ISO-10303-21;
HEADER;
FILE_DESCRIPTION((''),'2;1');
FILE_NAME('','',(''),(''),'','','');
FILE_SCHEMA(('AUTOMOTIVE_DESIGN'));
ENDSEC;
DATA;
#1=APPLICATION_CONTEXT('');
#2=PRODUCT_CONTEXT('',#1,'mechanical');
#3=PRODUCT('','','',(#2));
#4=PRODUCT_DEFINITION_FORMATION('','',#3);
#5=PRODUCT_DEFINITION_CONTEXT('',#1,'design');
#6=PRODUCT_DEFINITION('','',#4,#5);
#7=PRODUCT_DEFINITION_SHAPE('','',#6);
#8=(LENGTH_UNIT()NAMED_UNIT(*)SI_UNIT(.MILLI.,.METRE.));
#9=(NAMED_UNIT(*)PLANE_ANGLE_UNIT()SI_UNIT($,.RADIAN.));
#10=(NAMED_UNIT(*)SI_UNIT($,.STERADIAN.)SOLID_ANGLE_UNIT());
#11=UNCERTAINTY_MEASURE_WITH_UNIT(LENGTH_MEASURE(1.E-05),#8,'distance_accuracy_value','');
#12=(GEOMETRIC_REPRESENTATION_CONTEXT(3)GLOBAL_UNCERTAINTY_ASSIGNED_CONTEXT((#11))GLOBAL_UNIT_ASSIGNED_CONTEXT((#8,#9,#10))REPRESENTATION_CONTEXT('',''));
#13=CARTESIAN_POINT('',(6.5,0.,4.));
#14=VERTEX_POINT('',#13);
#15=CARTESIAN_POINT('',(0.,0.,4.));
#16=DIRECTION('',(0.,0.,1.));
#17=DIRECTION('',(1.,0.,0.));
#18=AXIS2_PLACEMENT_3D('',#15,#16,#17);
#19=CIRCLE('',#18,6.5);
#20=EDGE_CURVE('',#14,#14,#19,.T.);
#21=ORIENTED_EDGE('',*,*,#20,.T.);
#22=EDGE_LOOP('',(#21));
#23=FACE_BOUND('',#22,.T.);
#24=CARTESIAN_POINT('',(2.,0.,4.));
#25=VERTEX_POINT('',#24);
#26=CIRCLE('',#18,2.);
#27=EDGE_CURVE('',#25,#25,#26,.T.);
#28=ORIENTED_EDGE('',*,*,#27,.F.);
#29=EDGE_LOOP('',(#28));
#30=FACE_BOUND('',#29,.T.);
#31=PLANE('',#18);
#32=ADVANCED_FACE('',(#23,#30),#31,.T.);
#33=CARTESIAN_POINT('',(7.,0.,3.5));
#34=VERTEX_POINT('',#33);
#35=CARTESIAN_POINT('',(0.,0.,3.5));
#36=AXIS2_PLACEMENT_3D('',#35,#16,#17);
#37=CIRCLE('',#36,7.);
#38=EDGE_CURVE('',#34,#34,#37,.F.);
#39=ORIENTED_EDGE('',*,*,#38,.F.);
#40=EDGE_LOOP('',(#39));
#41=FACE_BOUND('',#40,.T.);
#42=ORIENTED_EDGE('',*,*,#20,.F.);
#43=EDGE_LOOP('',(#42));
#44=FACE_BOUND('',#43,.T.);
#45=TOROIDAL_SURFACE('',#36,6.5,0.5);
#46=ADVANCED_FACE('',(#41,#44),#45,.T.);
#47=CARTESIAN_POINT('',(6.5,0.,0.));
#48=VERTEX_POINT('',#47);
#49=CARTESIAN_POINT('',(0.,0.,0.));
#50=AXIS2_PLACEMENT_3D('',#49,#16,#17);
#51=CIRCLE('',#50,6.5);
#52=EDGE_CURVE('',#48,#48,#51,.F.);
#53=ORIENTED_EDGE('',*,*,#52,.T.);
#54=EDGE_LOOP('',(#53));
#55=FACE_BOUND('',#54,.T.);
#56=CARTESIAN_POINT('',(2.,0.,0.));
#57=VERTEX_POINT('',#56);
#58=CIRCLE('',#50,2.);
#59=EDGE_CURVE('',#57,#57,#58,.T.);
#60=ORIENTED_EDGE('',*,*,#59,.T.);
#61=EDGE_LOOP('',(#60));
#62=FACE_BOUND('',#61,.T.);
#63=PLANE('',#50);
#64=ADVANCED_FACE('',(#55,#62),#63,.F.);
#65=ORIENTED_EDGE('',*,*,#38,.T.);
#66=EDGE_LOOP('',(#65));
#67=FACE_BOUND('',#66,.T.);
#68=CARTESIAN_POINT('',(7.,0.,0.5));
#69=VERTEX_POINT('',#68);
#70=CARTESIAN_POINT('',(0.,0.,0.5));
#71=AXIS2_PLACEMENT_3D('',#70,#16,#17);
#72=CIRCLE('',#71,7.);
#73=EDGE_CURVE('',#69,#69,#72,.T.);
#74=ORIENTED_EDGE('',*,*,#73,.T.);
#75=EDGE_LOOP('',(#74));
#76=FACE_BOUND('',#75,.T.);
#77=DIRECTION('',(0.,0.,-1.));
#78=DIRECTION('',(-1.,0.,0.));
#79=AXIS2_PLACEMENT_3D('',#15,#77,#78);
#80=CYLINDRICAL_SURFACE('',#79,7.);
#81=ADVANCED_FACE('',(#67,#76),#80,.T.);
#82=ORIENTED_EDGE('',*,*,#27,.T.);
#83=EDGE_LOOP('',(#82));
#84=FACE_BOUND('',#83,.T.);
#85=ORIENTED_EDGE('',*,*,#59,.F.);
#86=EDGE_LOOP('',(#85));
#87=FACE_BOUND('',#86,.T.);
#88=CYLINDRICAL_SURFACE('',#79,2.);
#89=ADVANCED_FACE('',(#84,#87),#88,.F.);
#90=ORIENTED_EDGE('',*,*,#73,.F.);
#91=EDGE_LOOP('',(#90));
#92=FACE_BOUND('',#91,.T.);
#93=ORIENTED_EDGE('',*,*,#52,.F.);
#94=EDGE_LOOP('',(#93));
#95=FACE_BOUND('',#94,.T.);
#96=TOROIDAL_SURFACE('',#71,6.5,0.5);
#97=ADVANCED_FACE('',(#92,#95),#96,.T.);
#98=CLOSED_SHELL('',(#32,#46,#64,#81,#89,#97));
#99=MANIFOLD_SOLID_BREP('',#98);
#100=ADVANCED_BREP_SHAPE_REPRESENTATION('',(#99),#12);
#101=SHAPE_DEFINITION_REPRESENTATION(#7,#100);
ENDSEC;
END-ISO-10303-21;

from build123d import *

# Parameters (mm, degrees)
SKETCH_1_R      = 7
SKETCH_1_R_2    = 2
EXTRUDE_1_DEPTH = 4
FILLET_1_R      = 0.5


with BuildPart() as part:
    # 草图1 → 凸台-拉伸1 (new body)
    with BuildSketch(Plane.XY):
        Circle(SKETCH_1_R)
        Circle(SKETCH_1_R_2, mode=Mode.SUBTRACT)
    extrude(amount=EXTRUDE_1_DEPTH)

    # 圆角1
    fillet_1_edges = [part.edges().sort_by_distance(p)[0] for p in [
        (-7, 0, 0),
        (-7, 0, 4),
    ]]
    fillet(fillet_1_edges, radius=FILLET_1_R)


solid = part.part
